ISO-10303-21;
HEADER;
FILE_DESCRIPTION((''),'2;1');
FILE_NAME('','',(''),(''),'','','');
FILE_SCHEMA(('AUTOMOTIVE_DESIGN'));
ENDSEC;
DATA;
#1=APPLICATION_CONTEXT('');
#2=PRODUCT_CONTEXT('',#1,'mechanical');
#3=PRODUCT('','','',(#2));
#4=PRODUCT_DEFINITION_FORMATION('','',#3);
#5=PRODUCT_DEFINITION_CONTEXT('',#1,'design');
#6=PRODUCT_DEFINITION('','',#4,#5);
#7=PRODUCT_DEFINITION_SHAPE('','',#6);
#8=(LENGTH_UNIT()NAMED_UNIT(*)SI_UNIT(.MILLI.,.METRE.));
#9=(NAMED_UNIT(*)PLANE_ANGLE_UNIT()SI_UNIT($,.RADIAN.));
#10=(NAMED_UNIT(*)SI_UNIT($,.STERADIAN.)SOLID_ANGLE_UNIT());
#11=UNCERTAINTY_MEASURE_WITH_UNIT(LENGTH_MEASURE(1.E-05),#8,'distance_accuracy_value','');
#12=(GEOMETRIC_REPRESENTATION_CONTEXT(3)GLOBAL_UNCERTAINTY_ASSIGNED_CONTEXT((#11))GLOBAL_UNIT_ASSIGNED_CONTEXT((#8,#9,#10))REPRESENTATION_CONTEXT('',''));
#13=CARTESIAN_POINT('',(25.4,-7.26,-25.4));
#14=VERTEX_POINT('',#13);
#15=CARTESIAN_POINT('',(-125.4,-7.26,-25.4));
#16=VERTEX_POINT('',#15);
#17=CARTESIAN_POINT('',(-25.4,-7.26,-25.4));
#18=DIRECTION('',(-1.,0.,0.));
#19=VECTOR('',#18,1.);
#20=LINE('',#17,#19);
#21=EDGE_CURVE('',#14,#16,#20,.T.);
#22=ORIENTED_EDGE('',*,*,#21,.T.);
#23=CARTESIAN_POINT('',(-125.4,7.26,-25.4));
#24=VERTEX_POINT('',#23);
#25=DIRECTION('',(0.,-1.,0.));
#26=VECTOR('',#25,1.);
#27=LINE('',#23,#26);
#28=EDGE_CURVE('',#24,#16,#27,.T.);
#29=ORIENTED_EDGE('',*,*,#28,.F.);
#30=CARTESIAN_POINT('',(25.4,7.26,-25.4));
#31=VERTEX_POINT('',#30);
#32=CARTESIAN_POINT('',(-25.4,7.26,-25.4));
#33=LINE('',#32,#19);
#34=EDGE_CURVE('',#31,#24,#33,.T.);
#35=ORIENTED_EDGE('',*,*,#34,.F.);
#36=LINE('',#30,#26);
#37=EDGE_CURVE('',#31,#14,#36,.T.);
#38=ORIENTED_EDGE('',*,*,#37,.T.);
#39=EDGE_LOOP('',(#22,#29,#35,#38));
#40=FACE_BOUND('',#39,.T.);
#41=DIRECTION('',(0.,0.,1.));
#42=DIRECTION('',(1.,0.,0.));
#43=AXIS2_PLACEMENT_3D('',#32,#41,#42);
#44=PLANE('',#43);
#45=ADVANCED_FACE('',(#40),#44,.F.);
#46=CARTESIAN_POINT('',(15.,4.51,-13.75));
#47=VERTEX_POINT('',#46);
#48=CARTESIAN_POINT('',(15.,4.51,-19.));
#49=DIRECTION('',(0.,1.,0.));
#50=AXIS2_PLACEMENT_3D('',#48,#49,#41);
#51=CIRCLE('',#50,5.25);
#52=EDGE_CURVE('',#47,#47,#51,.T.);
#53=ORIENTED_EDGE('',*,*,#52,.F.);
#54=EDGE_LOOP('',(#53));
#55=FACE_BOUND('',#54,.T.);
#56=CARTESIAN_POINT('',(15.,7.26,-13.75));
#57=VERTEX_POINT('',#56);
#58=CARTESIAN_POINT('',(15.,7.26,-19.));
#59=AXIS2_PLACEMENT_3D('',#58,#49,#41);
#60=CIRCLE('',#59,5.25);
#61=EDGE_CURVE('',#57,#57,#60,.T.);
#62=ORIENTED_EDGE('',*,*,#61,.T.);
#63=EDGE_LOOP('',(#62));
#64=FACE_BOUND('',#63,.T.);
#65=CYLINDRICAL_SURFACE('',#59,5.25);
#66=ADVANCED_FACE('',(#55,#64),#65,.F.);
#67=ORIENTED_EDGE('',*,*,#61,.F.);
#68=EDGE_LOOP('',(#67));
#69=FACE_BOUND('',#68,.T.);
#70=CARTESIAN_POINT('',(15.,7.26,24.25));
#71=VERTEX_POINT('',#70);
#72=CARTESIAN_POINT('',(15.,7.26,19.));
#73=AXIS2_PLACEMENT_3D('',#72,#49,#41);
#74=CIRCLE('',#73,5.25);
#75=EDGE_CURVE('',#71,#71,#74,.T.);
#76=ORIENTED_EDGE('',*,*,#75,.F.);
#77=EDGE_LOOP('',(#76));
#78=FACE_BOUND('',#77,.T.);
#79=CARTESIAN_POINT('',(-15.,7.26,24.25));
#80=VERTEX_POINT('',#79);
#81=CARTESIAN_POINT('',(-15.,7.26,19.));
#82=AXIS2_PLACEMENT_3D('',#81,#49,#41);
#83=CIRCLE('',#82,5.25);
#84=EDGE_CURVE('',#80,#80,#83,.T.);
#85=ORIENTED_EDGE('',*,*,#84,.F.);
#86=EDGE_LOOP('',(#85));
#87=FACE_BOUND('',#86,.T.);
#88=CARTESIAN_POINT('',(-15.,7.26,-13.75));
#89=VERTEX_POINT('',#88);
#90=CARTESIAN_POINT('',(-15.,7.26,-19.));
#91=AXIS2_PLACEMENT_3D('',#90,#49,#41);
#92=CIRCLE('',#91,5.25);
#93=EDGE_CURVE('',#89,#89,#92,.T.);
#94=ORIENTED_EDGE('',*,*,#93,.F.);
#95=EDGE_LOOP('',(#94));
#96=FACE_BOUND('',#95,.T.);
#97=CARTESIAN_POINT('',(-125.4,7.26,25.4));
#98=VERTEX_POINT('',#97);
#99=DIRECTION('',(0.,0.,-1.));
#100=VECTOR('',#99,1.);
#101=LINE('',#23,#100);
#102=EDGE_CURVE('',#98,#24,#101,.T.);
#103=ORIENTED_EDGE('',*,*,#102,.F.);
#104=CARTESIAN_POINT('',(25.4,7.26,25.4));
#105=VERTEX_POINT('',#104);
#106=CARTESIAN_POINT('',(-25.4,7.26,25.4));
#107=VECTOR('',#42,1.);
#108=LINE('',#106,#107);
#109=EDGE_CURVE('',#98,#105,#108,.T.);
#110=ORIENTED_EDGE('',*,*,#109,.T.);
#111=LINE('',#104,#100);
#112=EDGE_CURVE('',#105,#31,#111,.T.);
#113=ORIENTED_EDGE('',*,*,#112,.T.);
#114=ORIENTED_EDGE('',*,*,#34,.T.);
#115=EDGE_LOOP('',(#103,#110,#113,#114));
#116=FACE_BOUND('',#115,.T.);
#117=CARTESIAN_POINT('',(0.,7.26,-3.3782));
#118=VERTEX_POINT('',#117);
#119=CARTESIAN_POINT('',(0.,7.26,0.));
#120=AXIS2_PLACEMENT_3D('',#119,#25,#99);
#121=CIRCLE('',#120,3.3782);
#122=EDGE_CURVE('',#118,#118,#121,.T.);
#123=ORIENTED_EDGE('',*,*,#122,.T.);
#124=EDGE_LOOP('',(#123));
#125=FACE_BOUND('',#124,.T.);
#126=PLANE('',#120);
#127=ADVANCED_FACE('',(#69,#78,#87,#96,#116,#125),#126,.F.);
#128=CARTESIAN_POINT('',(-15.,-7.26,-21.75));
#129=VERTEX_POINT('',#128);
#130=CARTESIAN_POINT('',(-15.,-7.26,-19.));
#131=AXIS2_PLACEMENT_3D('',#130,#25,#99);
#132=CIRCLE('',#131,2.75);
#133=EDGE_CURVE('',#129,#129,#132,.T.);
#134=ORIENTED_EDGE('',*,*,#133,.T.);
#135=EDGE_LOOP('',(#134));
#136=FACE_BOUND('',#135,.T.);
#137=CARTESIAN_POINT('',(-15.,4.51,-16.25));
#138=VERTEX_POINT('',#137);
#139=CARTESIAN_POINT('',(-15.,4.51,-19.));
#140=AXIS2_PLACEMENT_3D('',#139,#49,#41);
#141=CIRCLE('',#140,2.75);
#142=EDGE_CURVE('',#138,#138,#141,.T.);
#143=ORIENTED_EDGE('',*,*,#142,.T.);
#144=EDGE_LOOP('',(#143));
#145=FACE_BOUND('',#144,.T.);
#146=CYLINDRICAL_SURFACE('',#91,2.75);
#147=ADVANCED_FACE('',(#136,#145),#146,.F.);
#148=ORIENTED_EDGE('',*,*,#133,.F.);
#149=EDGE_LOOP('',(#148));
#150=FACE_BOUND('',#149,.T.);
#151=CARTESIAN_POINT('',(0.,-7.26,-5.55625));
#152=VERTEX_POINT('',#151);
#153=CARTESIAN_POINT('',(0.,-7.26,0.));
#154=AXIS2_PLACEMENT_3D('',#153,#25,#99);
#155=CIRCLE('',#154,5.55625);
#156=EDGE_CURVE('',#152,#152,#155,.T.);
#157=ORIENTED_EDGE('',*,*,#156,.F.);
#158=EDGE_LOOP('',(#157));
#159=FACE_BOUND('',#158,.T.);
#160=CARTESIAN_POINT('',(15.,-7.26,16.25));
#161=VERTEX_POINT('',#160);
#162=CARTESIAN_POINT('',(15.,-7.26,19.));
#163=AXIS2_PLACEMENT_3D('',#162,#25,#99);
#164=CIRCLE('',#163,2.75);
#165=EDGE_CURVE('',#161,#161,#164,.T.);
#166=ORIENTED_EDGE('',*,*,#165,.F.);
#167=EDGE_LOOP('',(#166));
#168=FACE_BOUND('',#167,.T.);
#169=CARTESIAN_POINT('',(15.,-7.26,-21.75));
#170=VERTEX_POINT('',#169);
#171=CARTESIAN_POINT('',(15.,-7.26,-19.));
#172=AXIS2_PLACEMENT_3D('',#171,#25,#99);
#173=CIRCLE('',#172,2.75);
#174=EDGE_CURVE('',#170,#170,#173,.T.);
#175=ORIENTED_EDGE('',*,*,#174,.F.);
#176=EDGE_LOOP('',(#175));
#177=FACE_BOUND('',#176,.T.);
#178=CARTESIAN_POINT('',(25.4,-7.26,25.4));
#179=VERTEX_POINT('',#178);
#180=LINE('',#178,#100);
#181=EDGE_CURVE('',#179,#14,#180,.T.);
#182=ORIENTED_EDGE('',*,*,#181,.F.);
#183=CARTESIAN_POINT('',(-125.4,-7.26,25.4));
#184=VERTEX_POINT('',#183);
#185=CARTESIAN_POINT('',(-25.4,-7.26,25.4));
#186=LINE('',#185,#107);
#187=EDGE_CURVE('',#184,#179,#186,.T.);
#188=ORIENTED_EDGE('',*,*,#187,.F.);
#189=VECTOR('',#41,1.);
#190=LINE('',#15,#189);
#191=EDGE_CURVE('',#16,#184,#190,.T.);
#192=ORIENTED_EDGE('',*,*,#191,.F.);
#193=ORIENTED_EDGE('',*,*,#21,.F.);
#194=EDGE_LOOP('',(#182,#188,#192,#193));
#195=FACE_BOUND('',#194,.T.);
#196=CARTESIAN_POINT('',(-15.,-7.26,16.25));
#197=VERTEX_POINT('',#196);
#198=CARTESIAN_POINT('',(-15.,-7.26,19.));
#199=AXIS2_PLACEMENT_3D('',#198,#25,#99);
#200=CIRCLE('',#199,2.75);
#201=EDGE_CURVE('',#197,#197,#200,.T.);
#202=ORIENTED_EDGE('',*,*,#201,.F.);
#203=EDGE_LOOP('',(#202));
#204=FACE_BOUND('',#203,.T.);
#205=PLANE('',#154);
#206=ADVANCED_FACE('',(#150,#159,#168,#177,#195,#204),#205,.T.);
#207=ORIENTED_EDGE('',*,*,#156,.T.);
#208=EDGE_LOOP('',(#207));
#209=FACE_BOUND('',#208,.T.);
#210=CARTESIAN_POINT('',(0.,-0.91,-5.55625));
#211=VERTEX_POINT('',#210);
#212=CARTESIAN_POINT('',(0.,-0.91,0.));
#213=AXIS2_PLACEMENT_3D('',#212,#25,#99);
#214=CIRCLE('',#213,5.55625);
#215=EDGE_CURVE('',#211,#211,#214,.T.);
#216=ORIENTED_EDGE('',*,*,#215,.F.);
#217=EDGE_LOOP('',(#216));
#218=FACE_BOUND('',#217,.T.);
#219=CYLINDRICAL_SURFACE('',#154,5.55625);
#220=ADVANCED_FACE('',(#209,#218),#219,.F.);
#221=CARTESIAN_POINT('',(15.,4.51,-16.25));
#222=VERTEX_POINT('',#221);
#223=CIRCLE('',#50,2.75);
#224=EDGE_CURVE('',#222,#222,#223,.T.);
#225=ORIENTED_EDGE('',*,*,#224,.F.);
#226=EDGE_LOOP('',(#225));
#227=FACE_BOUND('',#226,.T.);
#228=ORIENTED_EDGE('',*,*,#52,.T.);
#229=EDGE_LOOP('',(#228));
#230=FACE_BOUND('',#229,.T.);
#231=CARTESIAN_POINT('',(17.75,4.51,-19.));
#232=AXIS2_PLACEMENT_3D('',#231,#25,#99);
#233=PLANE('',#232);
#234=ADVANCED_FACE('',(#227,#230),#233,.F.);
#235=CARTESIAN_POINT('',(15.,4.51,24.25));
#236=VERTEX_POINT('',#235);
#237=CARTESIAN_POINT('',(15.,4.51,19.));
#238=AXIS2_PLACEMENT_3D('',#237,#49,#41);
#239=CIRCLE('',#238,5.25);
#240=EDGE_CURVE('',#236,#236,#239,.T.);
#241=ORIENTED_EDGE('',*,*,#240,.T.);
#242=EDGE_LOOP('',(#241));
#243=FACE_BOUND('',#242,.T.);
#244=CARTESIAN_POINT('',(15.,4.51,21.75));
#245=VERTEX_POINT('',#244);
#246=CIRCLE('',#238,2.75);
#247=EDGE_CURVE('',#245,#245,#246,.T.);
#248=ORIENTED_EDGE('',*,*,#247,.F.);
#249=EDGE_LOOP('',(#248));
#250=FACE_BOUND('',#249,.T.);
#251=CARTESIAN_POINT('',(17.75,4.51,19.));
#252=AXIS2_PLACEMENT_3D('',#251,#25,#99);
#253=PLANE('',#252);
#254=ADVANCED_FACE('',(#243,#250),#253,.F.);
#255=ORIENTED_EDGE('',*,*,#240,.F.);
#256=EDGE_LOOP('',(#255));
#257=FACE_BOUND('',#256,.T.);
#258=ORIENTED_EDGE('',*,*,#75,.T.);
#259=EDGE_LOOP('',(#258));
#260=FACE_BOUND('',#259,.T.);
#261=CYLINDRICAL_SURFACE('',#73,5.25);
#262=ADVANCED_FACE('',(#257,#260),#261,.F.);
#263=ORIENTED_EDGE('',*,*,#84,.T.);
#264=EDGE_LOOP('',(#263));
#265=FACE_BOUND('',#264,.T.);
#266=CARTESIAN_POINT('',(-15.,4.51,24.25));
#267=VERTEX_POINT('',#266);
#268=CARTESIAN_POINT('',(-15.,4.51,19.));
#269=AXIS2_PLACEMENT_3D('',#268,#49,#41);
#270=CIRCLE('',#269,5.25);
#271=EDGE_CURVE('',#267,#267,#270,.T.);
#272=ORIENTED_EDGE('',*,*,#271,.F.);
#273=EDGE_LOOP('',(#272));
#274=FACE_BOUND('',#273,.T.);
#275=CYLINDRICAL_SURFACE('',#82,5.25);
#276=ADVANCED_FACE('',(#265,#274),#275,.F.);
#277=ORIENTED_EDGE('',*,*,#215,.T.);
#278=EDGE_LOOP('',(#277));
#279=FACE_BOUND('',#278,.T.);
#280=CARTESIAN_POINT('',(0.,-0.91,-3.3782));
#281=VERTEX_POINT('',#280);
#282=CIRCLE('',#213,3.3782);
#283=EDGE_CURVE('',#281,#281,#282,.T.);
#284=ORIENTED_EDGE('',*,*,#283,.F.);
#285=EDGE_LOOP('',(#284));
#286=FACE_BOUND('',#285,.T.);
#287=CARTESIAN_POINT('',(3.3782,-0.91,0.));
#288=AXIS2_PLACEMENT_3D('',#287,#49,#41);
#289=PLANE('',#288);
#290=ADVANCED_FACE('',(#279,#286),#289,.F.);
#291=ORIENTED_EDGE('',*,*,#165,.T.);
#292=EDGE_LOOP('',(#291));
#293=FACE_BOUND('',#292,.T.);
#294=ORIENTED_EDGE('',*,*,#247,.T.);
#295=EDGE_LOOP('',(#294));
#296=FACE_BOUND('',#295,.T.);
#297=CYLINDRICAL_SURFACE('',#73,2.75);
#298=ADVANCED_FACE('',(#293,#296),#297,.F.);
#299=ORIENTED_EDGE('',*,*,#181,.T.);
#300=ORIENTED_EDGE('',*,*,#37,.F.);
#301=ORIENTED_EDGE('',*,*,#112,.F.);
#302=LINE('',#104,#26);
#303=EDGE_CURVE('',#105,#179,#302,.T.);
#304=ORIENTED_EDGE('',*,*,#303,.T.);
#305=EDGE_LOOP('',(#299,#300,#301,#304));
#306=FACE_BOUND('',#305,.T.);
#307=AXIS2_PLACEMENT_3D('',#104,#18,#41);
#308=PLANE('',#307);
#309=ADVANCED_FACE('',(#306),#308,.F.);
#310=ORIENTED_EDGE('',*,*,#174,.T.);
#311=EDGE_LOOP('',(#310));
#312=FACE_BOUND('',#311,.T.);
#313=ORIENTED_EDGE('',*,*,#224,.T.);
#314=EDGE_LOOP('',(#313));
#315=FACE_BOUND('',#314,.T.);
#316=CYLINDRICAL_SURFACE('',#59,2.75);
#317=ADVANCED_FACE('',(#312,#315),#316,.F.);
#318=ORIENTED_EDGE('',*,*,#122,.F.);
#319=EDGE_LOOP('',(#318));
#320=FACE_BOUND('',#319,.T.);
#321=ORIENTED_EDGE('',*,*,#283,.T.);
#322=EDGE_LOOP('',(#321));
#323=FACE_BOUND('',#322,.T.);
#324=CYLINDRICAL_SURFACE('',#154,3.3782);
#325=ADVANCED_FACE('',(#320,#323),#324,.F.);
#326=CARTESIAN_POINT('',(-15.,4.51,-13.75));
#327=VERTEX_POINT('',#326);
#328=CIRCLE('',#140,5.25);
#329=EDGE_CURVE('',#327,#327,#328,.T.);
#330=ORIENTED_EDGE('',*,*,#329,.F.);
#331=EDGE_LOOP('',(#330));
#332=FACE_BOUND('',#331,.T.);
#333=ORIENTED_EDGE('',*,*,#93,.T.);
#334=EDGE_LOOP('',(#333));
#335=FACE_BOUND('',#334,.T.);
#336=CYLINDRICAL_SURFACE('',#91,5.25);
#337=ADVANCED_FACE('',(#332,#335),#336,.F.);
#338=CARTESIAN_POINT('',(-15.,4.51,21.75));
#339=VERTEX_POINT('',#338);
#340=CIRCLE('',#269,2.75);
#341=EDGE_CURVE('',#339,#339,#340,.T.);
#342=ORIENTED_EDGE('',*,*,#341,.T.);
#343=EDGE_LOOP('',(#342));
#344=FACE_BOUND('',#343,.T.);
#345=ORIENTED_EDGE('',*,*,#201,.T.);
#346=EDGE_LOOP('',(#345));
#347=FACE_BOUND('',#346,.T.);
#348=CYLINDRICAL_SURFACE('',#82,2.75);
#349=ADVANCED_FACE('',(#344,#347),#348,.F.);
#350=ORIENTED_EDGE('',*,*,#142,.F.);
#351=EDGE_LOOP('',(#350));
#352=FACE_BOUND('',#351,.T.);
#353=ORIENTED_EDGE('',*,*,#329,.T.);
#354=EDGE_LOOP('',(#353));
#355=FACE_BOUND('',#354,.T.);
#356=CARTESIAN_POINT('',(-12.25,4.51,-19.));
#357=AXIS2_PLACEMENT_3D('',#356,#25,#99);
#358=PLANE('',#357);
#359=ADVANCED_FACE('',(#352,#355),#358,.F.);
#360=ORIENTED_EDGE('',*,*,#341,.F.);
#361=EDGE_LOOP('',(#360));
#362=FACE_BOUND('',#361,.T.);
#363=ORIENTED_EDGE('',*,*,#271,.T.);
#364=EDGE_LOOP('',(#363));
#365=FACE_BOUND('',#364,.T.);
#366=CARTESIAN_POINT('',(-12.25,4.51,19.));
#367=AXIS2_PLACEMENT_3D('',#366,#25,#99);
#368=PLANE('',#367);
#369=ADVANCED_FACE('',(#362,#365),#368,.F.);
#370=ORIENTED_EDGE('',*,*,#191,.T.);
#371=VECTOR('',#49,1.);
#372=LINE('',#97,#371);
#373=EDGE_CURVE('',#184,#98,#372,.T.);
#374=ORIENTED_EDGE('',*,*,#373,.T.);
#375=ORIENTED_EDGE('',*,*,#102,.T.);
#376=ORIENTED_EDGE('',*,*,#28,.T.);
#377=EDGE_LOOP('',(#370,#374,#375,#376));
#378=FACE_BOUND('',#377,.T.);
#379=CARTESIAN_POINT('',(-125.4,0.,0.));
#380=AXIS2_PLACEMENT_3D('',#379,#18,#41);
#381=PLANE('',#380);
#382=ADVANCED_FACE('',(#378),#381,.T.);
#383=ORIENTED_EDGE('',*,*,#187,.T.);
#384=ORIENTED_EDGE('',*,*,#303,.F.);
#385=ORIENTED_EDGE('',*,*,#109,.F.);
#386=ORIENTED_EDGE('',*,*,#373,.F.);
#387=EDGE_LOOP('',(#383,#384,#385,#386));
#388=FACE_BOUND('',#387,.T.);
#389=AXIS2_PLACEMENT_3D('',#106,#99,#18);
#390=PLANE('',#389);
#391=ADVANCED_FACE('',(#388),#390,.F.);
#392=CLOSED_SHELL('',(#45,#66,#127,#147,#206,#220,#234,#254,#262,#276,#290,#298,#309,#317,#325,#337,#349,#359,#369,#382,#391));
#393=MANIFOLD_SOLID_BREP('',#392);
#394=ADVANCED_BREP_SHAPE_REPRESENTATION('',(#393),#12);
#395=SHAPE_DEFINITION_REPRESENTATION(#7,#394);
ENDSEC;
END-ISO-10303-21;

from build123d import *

# Parameters (mm, degrees)
SKETCH1_W                                        = 50.8
SKETCH1_H                                        = 50.8
BOSS_EXTRUDE1_DEPTH                              = 7.26
CBORE_FOR_M5_SBHCS1_D                            = 5.5
CBORE_FOR_M5_SBHCS1_CBORE_D                      = 10.5
CBORE_FOR_M5_SBHCS1_CBORE_DEPTH                  = 2.75
CBORE_FOR_1_4_SOCKET_HEAD_CAP_SCREW1_D           = 6.7564
CBORE_FOR_1_4_SOCKET_HEAD_CAP_SCREW1_CBORE_D     = 11.1125
CBORE_FOR_1_4_SOCKET_HEAD_CAP_SCREW1_CBORE_DEPTH = 6.35
SKETCH6_W                                        = 50.8
SKETCH6_H                                        = 14.52
BOSS_EXTRUDE2_DEPTH                              = 100


with BuildPart() as part:
    # Sketch1 → Boss-Extrude1 (new, symmetric)
    with BuildSketch(Plane(origin=(0, 0, 0), x_dir=(1, 0, 0), z_dir=(0, 1, 0))):
        Rectangle(SKETCH1_W, SKETCH1_H)
    extrude(amount=BOSS_EXTRUDE1_DEPTH, both=True)

    # CBORE for M5 SBHCS1 (through all)
    with Locations(Plane(origin=(0, 7.26, 0), x_dir=(1, 0, 0), z_dir=(0, 1, 0))):
        with Locations((-15, 19), (-15, -19), (15, -19), (15, 19)):
            CounterBoreHole(CBORE_FOR_M5_SBHCS1_D / 2, CBORE_FOR_M5_SBHCS1_CBORE_D / 2, CBORE_FOR_M5_SBHCS1_CBORE_DEPTH)

    # CBORE for 1/4 Socket Head Cap Screw1 (through all)
    with Locations(Plane.XZ.offset(7.26)):
        with Locations((0, 0)):
            CounterBoreHole(CBORE_FOR_1_4_SOCKET_HEAD_CAP_SCREW1_D / 2, CBORE_FOR_1_4_SOCKET_HEAD_CAP_SCREW1_CBORE_D / 2, CBORE_FOR_1_4_SOCKET_HEAD_CAP_SCREW1_CBORE_DEPTH)

    # Sketch6 → Boss-Extrude2 (add)
    with BuildSketch(Plane.ZY.offset(25.4)):
        Rectangle(SKETCH6_W, SKETCH6_H)
    extrude(amount=BOSS_EXTRUDE2_DEPTH)


solid = part.part
